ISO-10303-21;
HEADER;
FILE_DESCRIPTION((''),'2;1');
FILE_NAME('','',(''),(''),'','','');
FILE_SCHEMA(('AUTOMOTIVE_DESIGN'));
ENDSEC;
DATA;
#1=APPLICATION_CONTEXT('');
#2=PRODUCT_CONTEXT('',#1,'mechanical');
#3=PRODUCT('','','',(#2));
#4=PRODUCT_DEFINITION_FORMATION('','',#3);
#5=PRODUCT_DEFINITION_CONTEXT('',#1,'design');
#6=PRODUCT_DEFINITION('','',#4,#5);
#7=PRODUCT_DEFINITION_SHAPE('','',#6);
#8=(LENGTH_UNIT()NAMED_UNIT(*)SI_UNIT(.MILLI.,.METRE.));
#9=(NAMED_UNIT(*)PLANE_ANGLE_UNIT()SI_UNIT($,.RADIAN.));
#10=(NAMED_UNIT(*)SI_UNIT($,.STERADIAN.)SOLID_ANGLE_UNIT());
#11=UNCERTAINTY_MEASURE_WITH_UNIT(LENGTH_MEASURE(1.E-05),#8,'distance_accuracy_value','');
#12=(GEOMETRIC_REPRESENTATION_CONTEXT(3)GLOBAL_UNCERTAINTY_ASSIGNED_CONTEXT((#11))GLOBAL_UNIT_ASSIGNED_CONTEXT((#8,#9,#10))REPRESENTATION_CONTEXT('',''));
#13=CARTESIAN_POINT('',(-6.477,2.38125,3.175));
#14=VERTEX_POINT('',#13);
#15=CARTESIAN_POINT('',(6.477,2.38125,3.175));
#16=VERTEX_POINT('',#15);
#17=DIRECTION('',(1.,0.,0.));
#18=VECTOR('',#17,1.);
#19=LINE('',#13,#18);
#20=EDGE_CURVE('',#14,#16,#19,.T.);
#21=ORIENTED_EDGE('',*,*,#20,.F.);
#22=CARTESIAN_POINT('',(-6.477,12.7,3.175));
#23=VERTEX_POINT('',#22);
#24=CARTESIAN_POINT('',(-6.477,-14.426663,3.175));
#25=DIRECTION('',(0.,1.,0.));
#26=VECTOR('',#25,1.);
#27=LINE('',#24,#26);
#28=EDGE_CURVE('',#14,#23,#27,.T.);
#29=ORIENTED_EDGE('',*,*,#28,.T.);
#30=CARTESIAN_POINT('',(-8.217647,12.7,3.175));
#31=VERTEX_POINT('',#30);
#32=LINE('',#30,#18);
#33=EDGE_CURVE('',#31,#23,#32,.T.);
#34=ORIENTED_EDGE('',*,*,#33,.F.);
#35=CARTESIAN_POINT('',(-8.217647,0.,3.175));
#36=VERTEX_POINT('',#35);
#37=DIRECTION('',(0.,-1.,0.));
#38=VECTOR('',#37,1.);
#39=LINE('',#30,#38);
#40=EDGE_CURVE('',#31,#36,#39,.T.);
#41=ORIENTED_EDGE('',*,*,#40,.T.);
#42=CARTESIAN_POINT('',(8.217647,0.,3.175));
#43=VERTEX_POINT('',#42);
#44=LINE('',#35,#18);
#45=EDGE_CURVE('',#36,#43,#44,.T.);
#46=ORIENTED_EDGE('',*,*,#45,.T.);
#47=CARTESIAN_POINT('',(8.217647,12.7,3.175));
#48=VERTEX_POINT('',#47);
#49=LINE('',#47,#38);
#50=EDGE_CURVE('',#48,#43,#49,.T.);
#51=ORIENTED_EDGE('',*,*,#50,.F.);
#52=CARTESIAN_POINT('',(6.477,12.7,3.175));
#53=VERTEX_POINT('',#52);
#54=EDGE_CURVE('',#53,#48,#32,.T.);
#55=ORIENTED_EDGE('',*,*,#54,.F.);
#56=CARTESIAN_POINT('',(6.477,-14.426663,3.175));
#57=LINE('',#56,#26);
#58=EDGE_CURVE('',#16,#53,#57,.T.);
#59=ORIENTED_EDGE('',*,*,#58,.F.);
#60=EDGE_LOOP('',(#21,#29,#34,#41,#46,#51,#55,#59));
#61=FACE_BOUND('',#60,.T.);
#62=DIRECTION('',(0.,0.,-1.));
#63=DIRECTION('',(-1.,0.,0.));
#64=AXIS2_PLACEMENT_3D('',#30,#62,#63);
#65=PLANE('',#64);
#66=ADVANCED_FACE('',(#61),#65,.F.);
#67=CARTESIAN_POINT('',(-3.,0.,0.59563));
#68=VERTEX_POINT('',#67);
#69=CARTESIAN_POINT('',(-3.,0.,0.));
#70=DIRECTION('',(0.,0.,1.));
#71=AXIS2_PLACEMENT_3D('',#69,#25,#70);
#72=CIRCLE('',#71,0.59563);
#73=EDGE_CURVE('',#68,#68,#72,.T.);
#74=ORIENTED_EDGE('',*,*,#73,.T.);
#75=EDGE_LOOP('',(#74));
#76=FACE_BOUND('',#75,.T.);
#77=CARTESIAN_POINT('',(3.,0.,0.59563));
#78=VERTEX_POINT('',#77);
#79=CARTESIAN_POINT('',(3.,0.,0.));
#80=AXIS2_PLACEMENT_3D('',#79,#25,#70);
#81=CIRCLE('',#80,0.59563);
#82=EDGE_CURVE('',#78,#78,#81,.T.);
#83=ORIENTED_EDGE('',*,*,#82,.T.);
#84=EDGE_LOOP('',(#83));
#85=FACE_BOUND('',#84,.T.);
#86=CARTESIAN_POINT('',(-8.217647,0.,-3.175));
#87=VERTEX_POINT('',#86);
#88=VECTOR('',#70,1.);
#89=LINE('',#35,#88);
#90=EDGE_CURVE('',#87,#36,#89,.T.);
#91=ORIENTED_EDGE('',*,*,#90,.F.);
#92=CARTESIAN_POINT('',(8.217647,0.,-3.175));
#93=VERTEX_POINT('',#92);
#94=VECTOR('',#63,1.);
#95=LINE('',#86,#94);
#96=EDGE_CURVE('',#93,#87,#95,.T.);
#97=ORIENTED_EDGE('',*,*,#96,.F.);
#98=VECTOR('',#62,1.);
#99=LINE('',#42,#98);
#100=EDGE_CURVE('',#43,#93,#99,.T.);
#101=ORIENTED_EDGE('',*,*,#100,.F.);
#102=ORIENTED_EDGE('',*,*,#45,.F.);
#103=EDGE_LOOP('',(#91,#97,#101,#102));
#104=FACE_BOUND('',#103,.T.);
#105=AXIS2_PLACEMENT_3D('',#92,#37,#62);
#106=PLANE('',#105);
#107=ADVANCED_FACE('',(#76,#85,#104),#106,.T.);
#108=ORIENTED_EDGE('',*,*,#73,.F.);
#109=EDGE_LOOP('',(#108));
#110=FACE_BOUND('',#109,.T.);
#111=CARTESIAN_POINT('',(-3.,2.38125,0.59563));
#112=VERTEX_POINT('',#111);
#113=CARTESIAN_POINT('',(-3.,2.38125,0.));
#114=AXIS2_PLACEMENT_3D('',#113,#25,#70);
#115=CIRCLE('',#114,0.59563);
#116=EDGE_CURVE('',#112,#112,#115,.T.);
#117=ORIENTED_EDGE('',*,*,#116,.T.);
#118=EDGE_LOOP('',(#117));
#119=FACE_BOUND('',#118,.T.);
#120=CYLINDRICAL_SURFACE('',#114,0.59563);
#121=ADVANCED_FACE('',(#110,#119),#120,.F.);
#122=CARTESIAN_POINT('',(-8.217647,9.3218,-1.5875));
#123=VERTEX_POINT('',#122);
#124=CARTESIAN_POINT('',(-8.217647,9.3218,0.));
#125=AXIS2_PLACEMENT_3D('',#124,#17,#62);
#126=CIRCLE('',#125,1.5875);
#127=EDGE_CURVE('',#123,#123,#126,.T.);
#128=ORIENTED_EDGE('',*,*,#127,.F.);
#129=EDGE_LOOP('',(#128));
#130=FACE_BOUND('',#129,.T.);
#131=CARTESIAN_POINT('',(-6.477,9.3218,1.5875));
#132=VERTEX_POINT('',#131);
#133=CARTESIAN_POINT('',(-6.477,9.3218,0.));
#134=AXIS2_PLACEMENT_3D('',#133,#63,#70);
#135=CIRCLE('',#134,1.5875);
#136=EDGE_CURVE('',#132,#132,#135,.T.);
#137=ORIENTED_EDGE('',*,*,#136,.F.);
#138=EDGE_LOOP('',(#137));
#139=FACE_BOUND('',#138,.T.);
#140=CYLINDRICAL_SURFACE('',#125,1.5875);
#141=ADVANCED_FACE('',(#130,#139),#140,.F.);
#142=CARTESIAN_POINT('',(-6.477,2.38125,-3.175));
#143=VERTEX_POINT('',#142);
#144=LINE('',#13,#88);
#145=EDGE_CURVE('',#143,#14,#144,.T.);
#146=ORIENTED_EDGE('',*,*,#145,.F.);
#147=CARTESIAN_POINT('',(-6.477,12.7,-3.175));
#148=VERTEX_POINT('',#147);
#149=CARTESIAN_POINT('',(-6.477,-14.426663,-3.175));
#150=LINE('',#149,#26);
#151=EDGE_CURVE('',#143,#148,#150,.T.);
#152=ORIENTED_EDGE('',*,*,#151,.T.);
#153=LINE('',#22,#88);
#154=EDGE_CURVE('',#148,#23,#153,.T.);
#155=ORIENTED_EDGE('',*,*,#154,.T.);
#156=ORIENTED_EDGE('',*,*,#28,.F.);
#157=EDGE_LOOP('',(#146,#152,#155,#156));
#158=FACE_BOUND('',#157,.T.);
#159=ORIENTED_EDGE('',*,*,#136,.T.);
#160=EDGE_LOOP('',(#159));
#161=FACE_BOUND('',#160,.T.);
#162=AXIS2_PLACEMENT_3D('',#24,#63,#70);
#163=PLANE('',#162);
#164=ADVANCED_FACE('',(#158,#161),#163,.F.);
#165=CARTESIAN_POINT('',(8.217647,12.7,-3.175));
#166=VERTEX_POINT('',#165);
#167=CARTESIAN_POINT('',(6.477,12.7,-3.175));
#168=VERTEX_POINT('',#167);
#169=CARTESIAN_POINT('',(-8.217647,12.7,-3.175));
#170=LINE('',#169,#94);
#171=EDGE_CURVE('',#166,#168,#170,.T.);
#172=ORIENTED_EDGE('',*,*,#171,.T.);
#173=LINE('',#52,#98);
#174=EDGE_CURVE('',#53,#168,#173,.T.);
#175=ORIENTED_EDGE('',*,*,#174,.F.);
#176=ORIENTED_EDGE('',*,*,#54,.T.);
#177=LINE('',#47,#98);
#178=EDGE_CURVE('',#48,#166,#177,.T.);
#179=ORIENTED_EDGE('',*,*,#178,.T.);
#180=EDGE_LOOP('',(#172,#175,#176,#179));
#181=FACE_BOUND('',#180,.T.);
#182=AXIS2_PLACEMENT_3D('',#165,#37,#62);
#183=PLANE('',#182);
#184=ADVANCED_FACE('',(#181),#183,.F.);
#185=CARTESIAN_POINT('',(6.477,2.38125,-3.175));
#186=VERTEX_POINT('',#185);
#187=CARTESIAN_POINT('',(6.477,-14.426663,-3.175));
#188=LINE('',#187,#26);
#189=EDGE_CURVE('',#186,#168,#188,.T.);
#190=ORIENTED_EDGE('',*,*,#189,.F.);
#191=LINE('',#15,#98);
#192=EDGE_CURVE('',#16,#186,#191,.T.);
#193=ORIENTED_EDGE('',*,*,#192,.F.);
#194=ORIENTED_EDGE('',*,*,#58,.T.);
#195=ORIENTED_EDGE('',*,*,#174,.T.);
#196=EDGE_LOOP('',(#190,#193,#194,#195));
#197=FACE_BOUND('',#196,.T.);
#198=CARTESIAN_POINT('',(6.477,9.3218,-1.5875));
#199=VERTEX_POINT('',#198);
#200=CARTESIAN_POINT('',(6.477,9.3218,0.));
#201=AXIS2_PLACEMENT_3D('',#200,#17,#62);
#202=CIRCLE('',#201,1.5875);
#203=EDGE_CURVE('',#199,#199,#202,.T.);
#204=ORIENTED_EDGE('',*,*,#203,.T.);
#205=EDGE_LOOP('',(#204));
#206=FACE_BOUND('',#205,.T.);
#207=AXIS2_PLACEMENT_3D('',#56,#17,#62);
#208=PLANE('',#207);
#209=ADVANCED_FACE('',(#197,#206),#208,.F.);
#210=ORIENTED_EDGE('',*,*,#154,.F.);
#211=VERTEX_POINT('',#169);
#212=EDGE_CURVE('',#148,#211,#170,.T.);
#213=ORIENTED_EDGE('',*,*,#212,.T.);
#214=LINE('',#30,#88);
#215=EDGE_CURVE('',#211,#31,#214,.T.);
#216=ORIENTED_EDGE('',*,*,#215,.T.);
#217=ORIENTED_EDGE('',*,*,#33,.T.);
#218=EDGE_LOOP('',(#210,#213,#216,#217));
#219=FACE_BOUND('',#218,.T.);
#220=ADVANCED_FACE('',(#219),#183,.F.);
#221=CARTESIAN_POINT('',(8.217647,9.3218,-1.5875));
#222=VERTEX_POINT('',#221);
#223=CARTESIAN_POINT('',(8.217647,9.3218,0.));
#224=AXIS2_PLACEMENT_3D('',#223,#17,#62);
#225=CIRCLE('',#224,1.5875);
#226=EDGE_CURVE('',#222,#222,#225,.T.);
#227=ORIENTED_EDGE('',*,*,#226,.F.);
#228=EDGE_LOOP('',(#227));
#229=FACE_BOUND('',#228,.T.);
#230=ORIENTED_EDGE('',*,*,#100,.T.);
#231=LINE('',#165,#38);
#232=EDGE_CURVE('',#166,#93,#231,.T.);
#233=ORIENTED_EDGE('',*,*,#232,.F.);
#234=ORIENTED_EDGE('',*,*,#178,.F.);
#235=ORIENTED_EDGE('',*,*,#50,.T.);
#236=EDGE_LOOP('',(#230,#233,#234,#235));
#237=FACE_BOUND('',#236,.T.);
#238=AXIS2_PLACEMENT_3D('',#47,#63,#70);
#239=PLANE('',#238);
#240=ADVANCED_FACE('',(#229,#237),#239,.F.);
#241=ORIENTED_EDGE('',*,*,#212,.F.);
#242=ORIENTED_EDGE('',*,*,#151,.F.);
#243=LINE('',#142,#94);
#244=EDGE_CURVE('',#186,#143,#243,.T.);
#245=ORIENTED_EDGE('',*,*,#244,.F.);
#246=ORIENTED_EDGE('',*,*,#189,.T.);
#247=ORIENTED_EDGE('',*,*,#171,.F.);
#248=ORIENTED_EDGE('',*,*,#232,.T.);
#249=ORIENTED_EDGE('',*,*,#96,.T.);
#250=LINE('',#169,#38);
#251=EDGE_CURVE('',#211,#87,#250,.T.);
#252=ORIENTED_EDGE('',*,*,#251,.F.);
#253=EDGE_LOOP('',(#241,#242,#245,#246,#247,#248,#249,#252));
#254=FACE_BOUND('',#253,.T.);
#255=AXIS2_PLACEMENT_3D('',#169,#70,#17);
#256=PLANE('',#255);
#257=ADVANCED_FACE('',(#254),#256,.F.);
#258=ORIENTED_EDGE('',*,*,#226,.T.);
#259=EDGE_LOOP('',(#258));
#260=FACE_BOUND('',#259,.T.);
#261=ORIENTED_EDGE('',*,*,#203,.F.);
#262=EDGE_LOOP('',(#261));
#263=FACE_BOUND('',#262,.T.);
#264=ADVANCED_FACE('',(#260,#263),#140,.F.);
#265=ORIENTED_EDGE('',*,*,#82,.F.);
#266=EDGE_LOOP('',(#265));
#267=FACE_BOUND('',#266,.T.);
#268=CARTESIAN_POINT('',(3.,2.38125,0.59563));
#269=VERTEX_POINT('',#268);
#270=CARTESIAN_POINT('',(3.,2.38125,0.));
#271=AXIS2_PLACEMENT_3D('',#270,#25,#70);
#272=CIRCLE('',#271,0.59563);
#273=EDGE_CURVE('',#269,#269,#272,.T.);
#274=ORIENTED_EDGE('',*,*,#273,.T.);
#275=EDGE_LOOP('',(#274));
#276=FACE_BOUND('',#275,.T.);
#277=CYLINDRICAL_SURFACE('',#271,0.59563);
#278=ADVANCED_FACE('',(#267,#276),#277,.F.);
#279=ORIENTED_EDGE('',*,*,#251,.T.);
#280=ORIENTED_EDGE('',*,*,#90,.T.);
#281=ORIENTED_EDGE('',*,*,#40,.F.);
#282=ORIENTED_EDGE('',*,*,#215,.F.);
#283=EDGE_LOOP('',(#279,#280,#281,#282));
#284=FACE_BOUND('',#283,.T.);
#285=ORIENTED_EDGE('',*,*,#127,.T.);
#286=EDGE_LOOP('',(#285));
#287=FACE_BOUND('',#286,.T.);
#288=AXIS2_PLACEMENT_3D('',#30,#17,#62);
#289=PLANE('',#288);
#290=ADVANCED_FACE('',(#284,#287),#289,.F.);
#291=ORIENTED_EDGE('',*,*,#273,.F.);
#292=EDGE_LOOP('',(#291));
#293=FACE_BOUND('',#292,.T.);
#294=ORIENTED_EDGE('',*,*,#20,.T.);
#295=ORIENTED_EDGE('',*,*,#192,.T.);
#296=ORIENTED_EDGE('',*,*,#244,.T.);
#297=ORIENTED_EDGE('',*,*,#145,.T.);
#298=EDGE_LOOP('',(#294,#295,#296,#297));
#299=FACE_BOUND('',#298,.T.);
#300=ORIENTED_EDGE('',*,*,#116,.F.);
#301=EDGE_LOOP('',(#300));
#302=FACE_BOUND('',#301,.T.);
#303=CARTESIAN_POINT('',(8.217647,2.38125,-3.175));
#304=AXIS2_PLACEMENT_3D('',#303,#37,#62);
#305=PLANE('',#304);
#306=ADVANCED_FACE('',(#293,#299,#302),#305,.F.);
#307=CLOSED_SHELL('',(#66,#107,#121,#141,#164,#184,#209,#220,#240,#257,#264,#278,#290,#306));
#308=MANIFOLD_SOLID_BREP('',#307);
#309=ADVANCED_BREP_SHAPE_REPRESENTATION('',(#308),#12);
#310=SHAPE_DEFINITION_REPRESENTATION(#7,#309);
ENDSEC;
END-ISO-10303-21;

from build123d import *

# Parameters (mm, degrees)
SKETCH1_W             = 16.435294118
SKETCH1_H             = 6.35
BOSS_EXTRUDE1_DEPTH   = 12.7
SKETCH2_W             = 12.954
SKETCH2_H             = 6.35
CUT_EXTRUDE1_DEPTH    = 10.31875
SKETCH3_R             = 1.5875
CUT_EXTRUDE2_DEPTH    = 17.435294118
F_0_80_TAPPED_HOLE1_D = 1.19126


with BuildPart() as part:
    # Sketch1 → Boss-Extrude1 (new body)
    with BuildSketch(Plane(origin=(0, 0, 0), x_dir=(1, 0, 0), z_dir=(0, 1, 0))):
        Rectangle(SKETCH1_W, SKETCH1_H)
    extrude(amount=BOSS_EXTRUDE1_DEPTH)

    # Sketch2 → Cut-Extrude1 (cut)
    with BuildSketch(Plane(origin=(0, 12.7, 0), x_dir=(-1, 0, 0), z_dir=(0, 1, 0))):
        Rectangle(SKETCH2_W, SKETCH2_H)
    extrude(amount=-CUT_EXTRUDE1_DEPTH, mode=Mode.SUBTRACT)

    # Sketch3 → Cut-Extrude2 (cut, through all)
    with BuildSketch(Plane(origin=(8.217647059, 0, 0), x_dir=(0, 0, -1), z_dir=(1, 0, 0))):
        with Locations((0, 9.3218)):
            Circle(SKETCH3_R)
    extrude(amount=-CUT_EXTRUDE2_DEPTH, mode=Mode.SUBTRACT)

    # #0-80 Tapped Hole1 (through all)
    with Locations(Plane(origin=(0, 2.38125, 0), x_dir=(-1, 0, 0), z_dir=(0, 1, 0))):
        with Locations((3, 0), (-3, 0)):
            Hole(F_0_80_TAPPED_HOLE1_D / 2)


solid = part.part
